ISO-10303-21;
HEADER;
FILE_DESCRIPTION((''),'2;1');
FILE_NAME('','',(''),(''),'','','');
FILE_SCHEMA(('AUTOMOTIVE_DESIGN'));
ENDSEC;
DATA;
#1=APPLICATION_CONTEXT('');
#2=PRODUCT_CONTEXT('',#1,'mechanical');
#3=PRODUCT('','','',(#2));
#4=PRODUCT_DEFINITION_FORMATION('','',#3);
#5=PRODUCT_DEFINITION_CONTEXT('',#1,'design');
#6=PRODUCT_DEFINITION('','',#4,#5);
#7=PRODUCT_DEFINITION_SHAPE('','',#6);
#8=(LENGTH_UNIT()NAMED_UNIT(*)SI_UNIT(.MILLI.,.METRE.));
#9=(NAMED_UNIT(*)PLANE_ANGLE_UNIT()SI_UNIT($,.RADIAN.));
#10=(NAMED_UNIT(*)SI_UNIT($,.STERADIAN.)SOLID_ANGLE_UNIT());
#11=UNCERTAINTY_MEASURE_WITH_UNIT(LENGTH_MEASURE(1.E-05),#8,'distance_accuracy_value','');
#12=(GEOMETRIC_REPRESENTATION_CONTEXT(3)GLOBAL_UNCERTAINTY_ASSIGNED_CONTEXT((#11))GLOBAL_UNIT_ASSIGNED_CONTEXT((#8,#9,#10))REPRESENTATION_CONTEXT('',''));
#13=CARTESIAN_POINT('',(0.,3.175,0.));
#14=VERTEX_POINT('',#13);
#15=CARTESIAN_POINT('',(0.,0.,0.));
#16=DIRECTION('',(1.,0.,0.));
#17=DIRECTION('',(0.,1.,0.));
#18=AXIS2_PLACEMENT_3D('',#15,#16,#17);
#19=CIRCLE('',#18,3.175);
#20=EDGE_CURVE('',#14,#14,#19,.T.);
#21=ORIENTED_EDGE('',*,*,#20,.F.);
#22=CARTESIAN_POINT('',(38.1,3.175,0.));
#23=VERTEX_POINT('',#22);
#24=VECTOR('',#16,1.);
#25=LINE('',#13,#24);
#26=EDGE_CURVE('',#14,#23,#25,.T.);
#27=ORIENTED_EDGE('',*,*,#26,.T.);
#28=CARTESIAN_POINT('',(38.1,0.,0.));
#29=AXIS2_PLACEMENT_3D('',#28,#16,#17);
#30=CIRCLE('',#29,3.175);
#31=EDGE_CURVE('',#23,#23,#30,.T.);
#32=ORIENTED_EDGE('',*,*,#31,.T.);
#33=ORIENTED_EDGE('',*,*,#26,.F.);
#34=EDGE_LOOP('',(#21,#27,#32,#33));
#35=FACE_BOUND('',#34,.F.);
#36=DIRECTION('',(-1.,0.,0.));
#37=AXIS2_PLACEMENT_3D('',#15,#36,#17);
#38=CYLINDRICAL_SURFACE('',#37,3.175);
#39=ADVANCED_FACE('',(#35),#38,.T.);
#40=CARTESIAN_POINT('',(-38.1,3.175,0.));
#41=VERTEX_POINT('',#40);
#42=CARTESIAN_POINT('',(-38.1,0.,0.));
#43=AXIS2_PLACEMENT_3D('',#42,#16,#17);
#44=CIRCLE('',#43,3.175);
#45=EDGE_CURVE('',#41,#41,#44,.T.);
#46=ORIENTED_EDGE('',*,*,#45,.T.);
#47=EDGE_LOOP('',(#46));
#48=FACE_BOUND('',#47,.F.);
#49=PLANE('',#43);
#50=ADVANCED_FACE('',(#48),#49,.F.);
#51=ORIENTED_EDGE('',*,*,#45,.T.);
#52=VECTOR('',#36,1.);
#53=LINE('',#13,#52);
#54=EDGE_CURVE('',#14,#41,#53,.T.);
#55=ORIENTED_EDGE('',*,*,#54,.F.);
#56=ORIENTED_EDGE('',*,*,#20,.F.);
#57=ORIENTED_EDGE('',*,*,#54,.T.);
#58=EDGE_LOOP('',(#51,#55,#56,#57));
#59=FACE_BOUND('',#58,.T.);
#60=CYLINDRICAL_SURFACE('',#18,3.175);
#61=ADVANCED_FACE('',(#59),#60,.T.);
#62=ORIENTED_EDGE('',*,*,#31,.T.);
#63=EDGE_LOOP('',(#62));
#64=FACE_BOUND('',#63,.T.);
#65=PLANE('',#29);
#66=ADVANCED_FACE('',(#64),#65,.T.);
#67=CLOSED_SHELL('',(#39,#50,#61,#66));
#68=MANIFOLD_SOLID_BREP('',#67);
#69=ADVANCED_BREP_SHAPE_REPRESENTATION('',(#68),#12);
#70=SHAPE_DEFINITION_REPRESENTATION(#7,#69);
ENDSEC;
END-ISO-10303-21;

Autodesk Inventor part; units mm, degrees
ref_plane "XZ Plane" through (0, 0, 0) normal (0, 1, 0) x (-1, 0, 0)
ref_plane "XY Plane" through (0, 0, 0) normal (0, 0, 1) x (1, 0, 0)
sketch "Sketch2" plane through (0, 0, 0) normal (1, 0, 0) x (0, 1, 0)
  circle A0 centre (0, 0) radius 3.175
  dimension "d0" = 6.35
extrude "Extrusion1" add sketch "Sketch2" along normal mid plane 76.2
properties part number "ShaftForWormGear" material "PBT Plastic"
